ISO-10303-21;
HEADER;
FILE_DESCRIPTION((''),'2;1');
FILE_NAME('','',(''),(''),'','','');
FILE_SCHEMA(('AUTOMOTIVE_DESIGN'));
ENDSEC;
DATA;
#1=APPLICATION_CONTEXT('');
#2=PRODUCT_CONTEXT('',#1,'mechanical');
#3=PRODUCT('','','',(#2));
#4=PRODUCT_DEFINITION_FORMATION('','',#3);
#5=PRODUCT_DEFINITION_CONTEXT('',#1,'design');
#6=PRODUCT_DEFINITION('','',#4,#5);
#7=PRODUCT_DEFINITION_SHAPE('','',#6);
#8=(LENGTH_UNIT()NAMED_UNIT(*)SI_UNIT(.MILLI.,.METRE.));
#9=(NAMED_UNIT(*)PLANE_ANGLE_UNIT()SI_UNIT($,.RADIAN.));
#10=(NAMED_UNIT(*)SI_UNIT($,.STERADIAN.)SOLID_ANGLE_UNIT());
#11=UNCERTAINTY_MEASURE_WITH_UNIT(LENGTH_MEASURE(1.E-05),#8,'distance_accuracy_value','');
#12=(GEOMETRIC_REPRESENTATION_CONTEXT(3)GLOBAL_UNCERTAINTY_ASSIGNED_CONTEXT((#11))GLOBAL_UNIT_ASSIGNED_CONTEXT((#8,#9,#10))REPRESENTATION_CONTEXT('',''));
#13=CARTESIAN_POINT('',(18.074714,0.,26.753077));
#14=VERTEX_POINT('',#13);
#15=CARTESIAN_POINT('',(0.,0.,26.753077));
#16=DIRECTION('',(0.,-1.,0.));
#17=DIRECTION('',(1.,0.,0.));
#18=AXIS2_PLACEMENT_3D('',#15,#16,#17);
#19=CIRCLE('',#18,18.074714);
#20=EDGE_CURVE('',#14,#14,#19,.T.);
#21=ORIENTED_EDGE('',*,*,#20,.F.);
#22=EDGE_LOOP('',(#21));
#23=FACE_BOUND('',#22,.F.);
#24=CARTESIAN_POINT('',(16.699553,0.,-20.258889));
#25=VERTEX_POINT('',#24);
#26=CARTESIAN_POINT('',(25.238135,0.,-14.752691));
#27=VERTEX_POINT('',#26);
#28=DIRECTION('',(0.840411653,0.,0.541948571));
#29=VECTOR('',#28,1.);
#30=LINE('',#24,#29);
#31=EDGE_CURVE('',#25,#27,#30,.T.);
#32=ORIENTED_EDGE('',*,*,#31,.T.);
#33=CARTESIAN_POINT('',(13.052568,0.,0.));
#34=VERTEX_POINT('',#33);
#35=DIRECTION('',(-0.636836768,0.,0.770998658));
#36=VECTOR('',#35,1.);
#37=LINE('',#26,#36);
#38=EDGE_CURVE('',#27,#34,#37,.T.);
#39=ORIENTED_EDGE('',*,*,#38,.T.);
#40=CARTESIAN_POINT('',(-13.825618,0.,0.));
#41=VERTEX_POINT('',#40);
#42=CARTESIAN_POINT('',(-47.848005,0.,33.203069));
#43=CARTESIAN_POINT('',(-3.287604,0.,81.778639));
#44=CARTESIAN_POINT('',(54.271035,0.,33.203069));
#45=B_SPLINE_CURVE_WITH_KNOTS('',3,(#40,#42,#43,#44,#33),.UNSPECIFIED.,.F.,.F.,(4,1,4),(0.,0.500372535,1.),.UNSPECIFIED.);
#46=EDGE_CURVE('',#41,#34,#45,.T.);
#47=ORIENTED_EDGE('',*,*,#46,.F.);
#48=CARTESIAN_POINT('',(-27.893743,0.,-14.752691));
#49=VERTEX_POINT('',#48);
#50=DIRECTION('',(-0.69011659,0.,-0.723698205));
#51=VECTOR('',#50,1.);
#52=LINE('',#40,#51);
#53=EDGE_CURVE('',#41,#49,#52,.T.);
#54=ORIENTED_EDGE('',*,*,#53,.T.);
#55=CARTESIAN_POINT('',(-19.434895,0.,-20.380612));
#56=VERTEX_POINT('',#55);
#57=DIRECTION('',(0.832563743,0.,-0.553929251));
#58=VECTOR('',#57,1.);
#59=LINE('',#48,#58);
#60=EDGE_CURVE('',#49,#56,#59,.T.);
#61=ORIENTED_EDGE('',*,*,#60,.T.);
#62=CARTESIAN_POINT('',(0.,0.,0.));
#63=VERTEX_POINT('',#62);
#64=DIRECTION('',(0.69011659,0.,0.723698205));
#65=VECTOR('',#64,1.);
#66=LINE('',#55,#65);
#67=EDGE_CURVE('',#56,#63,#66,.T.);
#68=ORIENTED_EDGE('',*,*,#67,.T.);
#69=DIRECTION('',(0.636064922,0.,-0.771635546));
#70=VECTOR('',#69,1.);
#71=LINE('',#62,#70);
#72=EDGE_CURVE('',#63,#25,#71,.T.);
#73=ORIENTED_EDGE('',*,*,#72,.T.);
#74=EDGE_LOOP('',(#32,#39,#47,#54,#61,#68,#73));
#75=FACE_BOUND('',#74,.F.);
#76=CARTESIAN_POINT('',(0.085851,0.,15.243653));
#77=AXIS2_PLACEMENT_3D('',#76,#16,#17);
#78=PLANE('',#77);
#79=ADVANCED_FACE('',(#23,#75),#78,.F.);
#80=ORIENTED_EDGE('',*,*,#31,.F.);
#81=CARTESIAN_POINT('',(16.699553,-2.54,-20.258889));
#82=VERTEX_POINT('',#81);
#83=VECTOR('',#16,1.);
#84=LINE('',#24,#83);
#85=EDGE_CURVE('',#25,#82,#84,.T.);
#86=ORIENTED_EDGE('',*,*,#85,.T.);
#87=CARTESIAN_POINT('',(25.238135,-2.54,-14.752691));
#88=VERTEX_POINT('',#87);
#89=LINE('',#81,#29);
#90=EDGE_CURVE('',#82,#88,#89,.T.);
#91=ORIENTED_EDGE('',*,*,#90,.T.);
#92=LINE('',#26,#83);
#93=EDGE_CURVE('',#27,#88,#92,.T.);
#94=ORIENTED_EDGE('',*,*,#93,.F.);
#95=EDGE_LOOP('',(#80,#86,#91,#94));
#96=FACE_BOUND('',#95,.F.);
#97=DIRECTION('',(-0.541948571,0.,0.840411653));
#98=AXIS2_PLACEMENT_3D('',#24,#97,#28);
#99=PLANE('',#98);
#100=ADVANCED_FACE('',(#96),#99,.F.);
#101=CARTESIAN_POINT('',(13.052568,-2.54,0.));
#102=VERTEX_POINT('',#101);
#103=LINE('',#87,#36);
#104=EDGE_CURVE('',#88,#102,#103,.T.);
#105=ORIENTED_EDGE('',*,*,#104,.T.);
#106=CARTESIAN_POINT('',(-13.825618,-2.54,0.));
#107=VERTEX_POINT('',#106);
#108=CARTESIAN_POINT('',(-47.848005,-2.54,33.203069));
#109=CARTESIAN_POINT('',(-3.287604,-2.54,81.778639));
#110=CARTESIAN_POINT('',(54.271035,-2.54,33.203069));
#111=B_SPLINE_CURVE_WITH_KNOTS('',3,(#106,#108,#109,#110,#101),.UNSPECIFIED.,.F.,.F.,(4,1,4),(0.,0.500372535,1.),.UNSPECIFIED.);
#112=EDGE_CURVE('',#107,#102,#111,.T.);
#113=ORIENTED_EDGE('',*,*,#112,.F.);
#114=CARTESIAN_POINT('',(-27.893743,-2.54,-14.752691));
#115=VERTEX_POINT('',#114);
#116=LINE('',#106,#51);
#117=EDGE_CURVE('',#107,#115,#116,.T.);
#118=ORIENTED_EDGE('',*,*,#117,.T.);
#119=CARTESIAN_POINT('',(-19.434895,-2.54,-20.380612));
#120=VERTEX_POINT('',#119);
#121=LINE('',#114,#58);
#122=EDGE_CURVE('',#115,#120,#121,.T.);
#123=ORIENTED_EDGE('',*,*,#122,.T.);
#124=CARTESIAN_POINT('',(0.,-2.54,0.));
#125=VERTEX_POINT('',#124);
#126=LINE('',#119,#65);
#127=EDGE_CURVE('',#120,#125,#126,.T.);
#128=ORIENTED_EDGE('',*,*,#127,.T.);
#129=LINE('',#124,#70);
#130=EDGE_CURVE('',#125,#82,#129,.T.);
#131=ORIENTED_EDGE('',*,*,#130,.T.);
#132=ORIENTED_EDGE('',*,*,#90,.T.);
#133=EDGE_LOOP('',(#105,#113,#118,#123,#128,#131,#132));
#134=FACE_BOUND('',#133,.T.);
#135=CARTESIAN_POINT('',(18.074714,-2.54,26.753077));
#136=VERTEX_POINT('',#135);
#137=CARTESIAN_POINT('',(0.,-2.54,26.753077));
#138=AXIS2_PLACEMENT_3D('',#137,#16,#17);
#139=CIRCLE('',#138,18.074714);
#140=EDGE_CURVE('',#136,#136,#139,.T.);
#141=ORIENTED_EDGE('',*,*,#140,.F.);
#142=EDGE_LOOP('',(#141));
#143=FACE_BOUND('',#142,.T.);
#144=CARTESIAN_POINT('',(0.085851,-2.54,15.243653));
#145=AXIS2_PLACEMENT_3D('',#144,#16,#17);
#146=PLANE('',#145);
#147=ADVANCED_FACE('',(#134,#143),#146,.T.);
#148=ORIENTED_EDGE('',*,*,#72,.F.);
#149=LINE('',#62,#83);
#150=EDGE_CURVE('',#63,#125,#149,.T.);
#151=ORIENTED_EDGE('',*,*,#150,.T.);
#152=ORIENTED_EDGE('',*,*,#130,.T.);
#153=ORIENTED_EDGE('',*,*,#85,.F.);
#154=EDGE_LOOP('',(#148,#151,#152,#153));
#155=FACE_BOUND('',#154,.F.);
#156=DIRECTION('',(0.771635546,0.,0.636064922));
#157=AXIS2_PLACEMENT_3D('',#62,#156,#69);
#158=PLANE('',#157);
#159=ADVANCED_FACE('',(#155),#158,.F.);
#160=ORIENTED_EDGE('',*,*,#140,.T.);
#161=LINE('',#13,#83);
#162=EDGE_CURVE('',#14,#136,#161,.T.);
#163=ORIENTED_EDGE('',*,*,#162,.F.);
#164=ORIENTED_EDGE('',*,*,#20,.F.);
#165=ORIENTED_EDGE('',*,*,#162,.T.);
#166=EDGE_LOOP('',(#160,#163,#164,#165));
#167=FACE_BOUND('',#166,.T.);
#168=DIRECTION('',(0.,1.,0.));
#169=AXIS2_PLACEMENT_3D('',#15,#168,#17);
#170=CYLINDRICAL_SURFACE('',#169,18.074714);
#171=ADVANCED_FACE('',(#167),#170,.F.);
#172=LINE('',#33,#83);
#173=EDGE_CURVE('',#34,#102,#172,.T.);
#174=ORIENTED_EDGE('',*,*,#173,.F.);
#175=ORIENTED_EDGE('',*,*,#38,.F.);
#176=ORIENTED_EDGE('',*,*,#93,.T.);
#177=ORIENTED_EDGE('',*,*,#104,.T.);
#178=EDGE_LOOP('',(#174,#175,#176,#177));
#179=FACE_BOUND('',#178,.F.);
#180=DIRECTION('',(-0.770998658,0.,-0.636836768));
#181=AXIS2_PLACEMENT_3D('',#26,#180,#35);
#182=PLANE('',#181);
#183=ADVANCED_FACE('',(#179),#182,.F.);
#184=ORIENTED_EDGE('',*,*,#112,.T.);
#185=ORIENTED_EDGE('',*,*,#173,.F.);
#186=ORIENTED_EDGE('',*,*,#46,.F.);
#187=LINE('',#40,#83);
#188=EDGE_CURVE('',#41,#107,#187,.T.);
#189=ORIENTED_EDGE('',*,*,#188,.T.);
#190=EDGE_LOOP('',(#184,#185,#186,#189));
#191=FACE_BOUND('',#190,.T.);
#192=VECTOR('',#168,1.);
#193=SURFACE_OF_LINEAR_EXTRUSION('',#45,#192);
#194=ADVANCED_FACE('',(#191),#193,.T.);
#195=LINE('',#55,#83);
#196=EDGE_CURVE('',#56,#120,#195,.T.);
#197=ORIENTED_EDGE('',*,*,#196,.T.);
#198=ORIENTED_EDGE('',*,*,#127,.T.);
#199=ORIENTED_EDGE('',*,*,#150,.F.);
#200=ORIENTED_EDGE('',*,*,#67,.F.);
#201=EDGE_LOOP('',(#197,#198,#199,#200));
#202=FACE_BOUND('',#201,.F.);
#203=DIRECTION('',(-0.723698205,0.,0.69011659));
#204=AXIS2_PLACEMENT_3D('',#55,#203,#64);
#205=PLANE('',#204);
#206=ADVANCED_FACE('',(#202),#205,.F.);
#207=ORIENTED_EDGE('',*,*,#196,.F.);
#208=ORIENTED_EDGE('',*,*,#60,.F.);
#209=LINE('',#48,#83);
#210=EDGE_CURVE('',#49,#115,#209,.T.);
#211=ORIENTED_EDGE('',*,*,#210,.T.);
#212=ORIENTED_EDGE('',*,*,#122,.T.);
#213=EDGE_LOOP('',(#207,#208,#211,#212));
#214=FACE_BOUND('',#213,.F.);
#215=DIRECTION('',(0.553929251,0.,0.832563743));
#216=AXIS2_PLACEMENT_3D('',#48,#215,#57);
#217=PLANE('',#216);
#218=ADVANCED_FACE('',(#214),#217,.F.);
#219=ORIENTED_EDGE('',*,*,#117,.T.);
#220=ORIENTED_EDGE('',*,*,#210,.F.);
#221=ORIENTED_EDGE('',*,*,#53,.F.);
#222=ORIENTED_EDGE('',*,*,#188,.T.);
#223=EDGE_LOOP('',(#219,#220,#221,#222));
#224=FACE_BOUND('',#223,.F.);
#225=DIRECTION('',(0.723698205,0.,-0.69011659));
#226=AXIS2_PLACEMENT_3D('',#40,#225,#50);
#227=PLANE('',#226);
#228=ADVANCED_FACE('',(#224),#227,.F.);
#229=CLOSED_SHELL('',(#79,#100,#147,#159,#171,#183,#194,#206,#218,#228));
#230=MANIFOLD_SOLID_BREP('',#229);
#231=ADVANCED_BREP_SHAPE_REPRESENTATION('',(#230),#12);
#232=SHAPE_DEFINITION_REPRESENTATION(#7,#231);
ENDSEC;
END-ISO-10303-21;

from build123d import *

# Parameters (mm, degrees)
F0_R     = 18.0747141935
F1_DEPTH = 2.54


with BuildPart() as f1:
    # F0 (on Front) → F1 (new body)
    with BuildSketch(Plane.XZ):
        with BuildLine():
            Line((-19.4348950877, -20.3806123298), (0, 0))
            Line((0, 0), (16.699552632, -20.2588886299))
            Line((16.699552632, -20.2588886299), (25.2381350227, -14.7526911437))
            Line((25.2381350227, -14.7526911437), (13.0525675652, 0))
            add(Edge.make_bspline(
                [(-13.8256175738, 0), (-47.8480048478, 33.2030691206), (-3.2876044389, 81.7786389535), (54.2710348964, 33.2030691206), (13.0525675652, 0)],
                knots=[0, 0, 0, 0, 0.5003725349, 1, 1, 1, 1], degree=3))
            Line((-13.8256175738, 0), (-27.8937427115, -14.7526911437))
            Line((-27.8937427115, -14.7526911437), (-19.4348950877, -20.3806123298))
        make_face()
        with Locations((0, 26.7530772835)):
            Circle(F0_R, mode=Mode.SUBTRACT)
    extrude(amount=F1_DEPTH)


solid = f1.part
